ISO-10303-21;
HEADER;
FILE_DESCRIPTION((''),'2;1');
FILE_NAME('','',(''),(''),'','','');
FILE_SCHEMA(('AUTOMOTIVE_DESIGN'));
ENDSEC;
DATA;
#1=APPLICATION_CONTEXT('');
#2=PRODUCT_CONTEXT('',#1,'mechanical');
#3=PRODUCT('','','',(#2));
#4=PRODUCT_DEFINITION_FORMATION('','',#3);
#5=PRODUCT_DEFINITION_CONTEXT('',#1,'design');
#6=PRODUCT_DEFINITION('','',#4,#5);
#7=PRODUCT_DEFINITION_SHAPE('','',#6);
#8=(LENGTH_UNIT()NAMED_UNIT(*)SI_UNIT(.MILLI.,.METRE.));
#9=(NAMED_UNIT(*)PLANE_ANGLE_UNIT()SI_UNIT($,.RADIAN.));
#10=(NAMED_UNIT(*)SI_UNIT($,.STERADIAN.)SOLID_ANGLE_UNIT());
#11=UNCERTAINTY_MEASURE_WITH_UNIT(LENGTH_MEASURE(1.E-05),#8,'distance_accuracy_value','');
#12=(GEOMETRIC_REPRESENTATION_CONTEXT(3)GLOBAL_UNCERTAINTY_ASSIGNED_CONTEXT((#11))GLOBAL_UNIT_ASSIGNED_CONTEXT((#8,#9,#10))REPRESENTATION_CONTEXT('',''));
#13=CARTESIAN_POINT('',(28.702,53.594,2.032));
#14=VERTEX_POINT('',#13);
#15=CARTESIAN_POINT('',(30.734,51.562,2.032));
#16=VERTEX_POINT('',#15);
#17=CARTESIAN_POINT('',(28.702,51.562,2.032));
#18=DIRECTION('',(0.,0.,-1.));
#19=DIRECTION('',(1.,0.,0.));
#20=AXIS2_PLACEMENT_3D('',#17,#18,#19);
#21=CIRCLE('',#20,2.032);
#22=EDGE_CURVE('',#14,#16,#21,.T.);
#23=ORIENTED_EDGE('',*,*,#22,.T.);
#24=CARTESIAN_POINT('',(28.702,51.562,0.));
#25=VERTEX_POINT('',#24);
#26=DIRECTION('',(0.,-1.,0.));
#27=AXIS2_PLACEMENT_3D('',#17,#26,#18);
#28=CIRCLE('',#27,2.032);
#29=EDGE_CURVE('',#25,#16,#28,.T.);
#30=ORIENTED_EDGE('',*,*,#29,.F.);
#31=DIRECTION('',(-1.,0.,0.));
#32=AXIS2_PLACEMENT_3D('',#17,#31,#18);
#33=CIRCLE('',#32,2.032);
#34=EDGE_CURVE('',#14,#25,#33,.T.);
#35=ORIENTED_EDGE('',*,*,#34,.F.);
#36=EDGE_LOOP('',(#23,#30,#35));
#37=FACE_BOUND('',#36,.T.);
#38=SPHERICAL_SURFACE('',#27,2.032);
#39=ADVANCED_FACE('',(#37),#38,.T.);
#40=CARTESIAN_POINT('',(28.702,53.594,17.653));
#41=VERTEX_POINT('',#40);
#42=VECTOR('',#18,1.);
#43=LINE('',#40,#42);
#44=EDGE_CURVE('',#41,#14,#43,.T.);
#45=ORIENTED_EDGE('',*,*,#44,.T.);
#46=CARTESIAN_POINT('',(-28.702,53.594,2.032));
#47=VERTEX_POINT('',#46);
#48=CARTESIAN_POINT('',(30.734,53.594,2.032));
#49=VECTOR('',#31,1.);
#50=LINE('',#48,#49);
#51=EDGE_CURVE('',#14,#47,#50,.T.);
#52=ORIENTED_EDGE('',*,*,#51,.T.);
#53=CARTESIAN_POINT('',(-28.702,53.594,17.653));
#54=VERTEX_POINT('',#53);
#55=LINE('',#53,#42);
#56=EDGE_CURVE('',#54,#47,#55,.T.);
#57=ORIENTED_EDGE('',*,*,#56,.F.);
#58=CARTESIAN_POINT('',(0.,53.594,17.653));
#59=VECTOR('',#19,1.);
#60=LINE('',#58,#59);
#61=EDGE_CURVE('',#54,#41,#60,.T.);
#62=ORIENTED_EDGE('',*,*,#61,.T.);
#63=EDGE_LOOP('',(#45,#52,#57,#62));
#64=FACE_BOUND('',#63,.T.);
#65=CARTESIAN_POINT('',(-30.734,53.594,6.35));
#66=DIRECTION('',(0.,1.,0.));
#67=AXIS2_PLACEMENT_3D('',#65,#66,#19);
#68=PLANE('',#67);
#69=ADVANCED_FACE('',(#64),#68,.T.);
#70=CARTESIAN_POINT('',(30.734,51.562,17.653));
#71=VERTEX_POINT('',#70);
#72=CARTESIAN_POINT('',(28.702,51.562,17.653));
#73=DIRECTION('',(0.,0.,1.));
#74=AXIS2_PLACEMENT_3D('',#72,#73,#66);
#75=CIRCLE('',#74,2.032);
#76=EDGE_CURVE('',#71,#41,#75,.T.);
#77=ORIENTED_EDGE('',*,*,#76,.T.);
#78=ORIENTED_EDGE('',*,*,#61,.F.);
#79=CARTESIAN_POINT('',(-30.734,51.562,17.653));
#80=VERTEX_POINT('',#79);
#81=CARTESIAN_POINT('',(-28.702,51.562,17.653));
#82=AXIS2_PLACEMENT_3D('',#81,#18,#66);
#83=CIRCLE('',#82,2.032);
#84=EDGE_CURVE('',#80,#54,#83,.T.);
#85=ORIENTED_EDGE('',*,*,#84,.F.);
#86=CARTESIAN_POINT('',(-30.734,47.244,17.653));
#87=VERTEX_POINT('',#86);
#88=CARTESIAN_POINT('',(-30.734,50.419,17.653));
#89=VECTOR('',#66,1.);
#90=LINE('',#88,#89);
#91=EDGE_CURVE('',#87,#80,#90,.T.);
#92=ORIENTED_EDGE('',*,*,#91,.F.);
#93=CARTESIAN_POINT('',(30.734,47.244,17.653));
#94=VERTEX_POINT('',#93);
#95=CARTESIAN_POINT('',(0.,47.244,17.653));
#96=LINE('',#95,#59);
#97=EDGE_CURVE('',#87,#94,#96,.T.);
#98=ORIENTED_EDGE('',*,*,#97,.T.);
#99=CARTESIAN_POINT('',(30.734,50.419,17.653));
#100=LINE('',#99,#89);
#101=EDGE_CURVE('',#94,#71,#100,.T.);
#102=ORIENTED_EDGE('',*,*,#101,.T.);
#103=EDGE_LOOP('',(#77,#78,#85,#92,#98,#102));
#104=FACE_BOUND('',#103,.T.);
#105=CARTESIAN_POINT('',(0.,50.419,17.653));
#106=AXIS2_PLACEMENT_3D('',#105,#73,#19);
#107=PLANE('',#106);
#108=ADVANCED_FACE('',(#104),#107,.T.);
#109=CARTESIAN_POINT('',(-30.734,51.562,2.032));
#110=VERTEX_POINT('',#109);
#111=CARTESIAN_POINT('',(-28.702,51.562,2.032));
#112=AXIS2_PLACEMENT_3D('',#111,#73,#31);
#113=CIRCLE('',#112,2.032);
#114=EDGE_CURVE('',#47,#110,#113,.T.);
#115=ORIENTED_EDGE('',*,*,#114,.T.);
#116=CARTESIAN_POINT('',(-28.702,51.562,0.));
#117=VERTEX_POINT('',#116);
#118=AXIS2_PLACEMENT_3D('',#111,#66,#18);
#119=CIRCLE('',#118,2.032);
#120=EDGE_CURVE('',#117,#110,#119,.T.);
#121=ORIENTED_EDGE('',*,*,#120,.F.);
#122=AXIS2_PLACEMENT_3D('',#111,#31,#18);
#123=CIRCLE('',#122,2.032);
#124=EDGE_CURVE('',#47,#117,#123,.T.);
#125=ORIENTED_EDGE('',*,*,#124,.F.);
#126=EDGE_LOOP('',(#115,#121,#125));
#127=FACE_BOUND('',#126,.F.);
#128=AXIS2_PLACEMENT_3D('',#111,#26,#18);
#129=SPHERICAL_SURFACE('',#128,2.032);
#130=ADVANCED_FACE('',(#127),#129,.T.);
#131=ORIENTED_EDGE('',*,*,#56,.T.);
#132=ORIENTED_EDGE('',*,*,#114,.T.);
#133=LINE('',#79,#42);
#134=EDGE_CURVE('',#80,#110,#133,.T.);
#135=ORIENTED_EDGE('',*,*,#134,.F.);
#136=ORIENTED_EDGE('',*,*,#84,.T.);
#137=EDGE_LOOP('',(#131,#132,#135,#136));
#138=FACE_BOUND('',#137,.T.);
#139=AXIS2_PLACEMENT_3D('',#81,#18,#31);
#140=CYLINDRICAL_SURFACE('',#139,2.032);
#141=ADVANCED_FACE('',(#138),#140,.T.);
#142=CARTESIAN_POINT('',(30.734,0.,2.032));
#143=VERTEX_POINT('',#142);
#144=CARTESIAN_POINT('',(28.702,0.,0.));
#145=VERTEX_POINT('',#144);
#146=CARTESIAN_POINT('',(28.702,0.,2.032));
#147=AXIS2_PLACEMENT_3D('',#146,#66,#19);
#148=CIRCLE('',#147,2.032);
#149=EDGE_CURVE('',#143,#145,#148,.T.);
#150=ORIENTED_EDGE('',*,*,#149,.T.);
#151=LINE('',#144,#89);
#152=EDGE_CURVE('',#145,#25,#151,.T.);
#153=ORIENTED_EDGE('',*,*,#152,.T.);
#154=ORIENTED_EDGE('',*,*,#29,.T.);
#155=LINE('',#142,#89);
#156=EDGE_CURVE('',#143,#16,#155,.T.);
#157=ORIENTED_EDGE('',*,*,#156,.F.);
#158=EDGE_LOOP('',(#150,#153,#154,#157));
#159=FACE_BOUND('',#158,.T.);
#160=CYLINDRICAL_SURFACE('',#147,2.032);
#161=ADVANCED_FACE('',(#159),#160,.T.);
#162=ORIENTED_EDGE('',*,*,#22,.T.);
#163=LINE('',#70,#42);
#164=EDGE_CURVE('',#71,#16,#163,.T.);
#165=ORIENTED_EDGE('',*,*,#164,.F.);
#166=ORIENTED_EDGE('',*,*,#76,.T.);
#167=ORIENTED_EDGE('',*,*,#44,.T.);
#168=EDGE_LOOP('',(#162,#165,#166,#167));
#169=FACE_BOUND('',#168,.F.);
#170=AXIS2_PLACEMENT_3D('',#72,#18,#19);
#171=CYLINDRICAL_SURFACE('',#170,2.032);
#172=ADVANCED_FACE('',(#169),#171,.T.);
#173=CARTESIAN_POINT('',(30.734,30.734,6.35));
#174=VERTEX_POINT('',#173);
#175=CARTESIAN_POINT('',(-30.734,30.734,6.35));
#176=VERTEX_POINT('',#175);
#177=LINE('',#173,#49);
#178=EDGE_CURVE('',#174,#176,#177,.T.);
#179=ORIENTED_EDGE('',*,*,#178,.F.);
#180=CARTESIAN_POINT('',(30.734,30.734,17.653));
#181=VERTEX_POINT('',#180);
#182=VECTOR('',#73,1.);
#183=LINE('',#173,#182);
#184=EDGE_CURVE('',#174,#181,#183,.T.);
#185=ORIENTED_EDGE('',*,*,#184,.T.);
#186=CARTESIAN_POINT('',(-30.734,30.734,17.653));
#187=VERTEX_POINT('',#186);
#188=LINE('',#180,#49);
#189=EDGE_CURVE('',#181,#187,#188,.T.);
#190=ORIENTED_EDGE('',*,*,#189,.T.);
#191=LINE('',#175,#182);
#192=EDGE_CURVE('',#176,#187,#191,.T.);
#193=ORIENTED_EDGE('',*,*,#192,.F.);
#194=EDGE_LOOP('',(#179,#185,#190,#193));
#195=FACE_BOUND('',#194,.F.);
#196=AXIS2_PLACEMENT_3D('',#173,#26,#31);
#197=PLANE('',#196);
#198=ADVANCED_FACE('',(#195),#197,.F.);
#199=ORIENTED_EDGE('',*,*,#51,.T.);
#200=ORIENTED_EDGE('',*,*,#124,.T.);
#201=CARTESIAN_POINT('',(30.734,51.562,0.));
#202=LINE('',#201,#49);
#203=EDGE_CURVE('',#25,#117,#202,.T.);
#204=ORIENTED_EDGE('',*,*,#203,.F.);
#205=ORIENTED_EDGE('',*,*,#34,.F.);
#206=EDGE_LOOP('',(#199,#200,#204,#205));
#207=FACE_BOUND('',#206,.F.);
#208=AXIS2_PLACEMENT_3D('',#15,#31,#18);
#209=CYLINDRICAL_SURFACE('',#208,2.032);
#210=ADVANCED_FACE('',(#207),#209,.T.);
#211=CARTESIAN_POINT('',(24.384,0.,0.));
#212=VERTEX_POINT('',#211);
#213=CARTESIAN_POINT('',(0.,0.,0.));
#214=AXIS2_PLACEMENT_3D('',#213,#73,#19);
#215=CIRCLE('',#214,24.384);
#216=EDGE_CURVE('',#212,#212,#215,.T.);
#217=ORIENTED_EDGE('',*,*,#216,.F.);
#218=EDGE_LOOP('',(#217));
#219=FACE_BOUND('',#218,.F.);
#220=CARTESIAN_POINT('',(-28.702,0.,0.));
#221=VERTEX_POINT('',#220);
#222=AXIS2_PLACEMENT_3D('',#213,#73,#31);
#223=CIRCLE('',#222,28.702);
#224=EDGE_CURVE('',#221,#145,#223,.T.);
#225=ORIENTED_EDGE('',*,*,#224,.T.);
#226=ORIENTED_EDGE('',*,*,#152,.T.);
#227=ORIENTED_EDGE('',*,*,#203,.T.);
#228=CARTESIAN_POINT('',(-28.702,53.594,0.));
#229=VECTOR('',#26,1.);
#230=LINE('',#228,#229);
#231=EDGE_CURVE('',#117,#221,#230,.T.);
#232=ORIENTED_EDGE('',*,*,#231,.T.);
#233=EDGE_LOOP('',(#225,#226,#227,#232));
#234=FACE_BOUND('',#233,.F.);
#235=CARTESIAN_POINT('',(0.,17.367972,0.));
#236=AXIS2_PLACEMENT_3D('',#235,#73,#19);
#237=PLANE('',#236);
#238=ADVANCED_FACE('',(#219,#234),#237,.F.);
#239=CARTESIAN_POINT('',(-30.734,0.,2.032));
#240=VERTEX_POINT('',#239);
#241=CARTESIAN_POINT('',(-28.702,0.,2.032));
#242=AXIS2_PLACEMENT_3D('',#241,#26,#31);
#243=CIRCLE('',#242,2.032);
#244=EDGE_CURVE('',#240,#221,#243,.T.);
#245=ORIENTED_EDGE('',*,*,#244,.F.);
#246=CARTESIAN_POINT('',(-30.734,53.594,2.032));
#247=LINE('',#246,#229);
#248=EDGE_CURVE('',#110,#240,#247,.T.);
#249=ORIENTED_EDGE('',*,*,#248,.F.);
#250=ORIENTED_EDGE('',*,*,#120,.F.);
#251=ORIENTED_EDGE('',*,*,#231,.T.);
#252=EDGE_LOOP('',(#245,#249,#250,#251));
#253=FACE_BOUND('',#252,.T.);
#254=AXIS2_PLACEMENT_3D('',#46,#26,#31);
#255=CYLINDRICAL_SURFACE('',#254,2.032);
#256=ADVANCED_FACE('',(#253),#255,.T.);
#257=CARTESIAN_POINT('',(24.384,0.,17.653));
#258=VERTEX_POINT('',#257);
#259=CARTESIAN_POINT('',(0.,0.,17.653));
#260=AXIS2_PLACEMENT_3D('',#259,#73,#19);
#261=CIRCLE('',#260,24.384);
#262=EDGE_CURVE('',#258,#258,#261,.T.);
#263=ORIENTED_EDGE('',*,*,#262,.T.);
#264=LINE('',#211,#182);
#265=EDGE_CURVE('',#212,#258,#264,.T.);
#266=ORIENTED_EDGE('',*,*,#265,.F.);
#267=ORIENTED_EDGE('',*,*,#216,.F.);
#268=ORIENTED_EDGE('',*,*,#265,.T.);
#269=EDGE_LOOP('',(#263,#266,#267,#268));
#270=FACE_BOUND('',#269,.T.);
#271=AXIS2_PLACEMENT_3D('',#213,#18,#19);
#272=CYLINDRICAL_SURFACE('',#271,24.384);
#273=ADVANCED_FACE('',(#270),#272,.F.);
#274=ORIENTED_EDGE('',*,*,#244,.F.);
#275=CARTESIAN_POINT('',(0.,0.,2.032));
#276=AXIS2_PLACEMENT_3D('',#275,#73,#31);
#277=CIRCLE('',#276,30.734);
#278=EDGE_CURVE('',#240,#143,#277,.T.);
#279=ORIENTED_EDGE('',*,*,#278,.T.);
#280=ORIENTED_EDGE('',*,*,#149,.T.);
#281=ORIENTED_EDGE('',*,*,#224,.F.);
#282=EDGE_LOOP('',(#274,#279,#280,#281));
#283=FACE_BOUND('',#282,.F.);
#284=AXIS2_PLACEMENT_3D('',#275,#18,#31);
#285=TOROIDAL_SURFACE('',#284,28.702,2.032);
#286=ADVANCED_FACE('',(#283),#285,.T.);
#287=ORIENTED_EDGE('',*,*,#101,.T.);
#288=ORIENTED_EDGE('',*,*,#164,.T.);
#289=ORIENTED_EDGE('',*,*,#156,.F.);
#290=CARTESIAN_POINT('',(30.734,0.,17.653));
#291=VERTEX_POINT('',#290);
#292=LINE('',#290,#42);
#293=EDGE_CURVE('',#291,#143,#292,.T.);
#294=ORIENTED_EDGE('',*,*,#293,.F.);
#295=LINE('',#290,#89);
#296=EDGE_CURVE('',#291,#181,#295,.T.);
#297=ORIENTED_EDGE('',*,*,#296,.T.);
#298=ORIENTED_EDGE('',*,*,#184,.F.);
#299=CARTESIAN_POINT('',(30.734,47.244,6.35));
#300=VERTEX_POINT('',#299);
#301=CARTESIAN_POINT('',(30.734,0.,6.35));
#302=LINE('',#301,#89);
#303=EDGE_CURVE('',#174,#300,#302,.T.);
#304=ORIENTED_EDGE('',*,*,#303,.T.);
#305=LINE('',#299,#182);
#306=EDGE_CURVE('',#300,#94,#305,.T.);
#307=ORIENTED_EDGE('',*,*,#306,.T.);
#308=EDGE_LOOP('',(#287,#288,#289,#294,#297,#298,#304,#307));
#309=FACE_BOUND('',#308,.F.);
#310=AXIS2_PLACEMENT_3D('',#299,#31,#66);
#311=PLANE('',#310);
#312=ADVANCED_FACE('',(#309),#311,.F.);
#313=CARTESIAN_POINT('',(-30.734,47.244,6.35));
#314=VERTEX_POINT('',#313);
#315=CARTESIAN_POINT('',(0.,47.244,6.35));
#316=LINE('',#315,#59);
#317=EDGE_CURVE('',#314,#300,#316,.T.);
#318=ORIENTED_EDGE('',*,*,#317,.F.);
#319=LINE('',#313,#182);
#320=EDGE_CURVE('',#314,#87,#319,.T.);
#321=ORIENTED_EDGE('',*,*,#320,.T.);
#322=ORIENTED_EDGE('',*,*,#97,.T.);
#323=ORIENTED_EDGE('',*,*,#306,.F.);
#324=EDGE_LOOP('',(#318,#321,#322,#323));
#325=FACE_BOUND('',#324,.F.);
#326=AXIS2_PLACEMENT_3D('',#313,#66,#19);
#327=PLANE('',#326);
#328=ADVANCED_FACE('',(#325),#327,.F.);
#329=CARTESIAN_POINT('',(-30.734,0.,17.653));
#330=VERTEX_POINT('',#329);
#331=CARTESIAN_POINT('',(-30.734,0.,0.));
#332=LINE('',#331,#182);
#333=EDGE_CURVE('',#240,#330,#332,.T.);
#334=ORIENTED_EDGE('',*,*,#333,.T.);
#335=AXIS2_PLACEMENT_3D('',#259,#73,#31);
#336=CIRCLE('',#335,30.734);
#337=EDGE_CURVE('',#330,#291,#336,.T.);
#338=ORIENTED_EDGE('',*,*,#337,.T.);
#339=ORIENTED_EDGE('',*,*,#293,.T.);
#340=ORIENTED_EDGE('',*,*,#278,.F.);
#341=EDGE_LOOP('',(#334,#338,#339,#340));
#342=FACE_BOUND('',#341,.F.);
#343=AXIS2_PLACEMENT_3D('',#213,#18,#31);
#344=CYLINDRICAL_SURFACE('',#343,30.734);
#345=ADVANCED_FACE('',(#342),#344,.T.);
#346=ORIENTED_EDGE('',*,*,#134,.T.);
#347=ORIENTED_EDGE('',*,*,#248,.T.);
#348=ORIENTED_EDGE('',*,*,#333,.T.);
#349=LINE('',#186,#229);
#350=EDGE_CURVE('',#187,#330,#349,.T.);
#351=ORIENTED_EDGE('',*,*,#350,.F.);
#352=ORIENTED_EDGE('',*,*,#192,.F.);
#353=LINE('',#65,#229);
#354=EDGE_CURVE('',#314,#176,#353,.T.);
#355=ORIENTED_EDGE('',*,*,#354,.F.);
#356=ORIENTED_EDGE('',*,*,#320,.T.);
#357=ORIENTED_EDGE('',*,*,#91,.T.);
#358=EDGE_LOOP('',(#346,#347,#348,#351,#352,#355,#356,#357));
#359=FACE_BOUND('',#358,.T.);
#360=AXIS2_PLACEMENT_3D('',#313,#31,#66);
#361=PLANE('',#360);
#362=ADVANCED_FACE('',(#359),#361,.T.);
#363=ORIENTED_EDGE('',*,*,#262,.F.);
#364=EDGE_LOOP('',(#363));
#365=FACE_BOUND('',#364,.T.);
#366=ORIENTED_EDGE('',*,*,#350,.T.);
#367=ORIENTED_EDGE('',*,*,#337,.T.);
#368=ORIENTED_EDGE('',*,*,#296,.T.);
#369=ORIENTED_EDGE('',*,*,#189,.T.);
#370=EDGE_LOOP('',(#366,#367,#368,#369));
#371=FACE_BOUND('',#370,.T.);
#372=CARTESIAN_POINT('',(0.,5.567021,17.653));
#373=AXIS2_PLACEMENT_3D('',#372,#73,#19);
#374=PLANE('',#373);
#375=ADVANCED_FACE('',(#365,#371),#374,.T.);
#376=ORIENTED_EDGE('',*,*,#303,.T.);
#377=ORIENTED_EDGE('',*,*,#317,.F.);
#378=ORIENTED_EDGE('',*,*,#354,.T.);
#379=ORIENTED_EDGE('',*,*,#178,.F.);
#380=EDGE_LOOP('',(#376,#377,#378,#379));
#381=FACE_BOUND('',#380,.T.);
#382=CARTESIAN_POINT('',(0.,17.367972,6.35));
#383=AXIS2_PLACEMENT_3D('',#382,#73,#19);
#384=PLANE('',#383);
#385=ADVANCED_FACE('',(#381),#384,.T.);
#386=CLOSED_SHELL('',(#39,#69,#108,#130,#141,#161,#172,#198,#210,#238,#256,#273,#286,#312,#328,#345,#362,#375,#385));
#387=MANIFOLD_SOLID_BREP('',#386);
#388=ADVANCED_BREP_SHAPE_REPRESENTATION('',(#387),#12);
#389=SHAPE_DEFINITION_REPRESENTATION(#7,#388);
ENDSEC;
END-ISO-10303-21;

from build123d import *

# Parameters (mm, degrees)
F0_R     = 24.384
F1_DEPTH = 6.35
F2_W     = 61.468
F2_H     = 6.35
F2_R     = 24.384
F3_DEPTH = 11.303
F4_R     = 2.032


with BuildPart() as f1:
    # F0 (on Top) → F1 (new body)
    with BuildSketch(Plane.XY):
        with BuildLine():
            Line((-30.734, 53.594), (-30.734, 0))
            ThreePointArc((-30.734, 0), (0, -30.734), (30.734, 0))
            Line((30.734, 0), (30.734, 53.594))
            Line((30.734, 53.594), (-30.734, 53.594))
        make_face()
        Circle(F0_R, mode=Mode.SUBTRACT)
    extrude(amount=F1_DEPTH)

    # F2 (on face) → F3 (join)
    with BuildSketch(Plane.XY.offset(6.35)):
        with Locations((0, 50.419)):
            Rectangle(F2_W, F2_H)
        with BuildLine():
            Line((30.734, 30.734), (-30.734, 30.734))
            Line((-30.734, 30.734), (-30.734, 0))
            ThreePointArc((-30.734, 0), (0, -30.734), (30.734, 0))
            Line((30.734, 0), (30.734, 30.734))
        make_face()
        Circle(F2_R, mode=Mode.SUBTRACT)
    extrude(amount=F3_DEPTH)

    # F4
    f4_edges = [f1.edges().sort_by_distance(p)[0] for p in [
        (0, -30.734, 0),
        (0, 53.594, 0),
        (30.734, 53.594, 8.8265),
        (-30.734, 53.594, 8.8265),
    ]]
    fillet(f4_edges, radius=F4_R)


solid = f1.part
